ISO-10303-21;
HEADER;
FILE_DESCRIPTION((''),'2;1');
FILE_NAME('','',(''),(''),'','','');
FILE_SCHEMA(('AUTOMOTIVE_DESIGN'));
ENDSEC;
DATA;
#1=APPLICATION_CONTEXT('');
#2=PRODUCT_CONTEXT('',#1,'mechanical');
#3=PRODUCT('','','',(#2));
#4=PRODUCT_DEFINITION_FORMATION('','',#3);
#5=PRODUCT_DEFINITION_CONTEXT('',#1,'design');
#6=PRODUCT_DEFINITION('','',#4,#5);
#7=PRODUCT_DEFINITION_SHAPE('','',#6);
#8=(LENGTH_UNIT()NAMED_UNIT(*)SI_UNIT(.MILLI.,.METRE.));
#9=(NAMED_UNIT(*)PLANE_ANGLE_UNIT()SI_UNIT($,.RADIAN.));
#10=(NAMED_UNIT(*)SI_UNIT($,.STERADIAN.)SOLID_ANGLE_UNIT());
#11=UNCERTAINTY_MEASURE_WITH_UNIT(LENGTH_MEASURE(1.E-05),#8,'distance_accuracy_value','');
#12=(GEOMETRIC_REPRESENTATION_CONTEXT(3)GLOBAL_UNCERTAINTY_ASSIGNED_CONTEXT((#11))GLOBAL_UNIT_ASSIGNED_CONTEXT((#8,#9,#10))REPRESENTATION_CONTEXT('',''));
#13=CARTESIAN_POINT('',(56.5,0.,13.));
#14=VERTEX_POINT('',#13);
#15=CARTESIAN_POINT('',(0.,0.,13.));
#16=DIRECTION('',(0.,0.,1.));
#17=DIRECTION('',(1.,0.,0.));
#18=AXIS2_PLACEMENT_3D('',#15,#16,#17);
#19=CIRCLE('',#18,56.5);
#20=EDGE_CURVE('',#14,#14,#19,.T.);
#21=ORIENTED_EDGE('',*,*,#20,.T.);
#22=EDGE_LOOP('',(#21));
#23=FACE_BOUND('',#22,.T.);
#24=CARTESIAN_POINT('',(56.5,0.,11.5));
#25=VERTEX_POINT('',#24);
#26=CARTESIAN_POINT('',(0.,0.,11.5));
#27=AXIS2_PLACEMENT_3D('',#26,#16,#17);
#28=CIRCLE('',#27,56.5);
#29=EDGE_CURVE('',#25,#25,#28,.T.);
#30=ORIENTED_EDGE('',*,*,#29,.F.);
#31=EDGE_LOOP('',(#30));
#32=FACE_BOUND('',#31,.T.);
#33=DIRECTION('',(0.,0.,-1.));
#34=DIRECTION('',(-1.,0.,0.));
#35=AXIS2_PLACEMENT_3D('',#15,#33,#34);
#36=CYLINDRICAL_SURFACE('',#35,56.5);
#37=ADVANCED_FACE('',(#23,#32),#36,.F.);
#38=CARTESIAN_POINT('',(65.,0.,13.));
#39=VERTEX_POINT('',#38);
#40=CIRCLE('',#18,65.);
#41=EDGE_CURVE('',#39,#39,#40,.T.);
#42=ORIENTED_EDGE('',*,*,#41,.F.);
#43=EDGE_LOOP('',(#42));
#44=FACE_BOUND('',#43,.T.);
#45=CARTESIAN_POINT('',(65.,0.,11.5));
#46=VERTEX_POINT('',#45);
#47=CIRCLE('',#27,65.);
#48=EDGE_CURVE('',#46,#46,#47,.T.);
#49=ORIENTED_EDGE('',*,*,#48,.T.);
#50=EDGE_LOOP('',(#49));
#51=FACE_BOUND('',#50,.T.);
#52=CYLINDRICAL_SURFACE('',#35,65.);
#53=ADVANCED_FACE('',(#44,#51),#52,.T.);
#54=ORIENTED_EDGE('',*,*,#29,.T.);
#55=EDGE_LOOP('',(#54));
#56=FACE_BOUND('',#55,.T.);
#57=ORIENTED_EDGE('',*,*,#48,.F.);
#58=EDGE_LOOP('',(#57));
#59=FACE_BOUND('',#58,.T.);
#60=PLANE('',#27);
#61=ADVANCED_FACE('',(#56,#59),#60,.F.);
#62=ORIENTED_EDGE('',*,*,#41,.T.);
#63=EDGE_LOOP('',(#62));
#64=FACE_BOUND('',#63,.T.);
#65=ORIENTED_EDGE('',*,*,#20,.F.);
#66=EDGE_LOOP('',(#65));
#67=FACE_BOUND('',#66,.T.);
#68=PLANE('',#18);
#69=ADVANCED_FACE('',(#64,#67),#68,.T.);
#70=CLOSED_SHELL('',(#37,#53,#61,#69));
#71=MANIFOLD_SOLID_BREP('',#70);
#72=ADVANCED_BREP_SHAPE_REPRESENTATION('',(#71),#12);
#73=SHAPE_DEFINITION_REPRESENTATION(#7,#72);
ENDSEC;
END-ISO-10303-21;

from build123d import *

# Parameters (mm, degrees)
EXTRUDE_START   = 11.5
SKETCH_1_R      = 65
SKETCH_1_R_2    = 56.5
EXTRUDE_1_DEPTH = 1.5


with BuildPart() as part:
    # 草圖1 → 填料-伸長1 (new body)
    with BuildSketch(Plane.XY.offset(EXTRUDE_START)):
        Circle(SKETCH_1_R)
        Circle(SKETCH_1_R_2, mode=Mode.SUBTRACT)
    extrude(amount=EXTRUDE_1_DEPTH)


solid = part.part
